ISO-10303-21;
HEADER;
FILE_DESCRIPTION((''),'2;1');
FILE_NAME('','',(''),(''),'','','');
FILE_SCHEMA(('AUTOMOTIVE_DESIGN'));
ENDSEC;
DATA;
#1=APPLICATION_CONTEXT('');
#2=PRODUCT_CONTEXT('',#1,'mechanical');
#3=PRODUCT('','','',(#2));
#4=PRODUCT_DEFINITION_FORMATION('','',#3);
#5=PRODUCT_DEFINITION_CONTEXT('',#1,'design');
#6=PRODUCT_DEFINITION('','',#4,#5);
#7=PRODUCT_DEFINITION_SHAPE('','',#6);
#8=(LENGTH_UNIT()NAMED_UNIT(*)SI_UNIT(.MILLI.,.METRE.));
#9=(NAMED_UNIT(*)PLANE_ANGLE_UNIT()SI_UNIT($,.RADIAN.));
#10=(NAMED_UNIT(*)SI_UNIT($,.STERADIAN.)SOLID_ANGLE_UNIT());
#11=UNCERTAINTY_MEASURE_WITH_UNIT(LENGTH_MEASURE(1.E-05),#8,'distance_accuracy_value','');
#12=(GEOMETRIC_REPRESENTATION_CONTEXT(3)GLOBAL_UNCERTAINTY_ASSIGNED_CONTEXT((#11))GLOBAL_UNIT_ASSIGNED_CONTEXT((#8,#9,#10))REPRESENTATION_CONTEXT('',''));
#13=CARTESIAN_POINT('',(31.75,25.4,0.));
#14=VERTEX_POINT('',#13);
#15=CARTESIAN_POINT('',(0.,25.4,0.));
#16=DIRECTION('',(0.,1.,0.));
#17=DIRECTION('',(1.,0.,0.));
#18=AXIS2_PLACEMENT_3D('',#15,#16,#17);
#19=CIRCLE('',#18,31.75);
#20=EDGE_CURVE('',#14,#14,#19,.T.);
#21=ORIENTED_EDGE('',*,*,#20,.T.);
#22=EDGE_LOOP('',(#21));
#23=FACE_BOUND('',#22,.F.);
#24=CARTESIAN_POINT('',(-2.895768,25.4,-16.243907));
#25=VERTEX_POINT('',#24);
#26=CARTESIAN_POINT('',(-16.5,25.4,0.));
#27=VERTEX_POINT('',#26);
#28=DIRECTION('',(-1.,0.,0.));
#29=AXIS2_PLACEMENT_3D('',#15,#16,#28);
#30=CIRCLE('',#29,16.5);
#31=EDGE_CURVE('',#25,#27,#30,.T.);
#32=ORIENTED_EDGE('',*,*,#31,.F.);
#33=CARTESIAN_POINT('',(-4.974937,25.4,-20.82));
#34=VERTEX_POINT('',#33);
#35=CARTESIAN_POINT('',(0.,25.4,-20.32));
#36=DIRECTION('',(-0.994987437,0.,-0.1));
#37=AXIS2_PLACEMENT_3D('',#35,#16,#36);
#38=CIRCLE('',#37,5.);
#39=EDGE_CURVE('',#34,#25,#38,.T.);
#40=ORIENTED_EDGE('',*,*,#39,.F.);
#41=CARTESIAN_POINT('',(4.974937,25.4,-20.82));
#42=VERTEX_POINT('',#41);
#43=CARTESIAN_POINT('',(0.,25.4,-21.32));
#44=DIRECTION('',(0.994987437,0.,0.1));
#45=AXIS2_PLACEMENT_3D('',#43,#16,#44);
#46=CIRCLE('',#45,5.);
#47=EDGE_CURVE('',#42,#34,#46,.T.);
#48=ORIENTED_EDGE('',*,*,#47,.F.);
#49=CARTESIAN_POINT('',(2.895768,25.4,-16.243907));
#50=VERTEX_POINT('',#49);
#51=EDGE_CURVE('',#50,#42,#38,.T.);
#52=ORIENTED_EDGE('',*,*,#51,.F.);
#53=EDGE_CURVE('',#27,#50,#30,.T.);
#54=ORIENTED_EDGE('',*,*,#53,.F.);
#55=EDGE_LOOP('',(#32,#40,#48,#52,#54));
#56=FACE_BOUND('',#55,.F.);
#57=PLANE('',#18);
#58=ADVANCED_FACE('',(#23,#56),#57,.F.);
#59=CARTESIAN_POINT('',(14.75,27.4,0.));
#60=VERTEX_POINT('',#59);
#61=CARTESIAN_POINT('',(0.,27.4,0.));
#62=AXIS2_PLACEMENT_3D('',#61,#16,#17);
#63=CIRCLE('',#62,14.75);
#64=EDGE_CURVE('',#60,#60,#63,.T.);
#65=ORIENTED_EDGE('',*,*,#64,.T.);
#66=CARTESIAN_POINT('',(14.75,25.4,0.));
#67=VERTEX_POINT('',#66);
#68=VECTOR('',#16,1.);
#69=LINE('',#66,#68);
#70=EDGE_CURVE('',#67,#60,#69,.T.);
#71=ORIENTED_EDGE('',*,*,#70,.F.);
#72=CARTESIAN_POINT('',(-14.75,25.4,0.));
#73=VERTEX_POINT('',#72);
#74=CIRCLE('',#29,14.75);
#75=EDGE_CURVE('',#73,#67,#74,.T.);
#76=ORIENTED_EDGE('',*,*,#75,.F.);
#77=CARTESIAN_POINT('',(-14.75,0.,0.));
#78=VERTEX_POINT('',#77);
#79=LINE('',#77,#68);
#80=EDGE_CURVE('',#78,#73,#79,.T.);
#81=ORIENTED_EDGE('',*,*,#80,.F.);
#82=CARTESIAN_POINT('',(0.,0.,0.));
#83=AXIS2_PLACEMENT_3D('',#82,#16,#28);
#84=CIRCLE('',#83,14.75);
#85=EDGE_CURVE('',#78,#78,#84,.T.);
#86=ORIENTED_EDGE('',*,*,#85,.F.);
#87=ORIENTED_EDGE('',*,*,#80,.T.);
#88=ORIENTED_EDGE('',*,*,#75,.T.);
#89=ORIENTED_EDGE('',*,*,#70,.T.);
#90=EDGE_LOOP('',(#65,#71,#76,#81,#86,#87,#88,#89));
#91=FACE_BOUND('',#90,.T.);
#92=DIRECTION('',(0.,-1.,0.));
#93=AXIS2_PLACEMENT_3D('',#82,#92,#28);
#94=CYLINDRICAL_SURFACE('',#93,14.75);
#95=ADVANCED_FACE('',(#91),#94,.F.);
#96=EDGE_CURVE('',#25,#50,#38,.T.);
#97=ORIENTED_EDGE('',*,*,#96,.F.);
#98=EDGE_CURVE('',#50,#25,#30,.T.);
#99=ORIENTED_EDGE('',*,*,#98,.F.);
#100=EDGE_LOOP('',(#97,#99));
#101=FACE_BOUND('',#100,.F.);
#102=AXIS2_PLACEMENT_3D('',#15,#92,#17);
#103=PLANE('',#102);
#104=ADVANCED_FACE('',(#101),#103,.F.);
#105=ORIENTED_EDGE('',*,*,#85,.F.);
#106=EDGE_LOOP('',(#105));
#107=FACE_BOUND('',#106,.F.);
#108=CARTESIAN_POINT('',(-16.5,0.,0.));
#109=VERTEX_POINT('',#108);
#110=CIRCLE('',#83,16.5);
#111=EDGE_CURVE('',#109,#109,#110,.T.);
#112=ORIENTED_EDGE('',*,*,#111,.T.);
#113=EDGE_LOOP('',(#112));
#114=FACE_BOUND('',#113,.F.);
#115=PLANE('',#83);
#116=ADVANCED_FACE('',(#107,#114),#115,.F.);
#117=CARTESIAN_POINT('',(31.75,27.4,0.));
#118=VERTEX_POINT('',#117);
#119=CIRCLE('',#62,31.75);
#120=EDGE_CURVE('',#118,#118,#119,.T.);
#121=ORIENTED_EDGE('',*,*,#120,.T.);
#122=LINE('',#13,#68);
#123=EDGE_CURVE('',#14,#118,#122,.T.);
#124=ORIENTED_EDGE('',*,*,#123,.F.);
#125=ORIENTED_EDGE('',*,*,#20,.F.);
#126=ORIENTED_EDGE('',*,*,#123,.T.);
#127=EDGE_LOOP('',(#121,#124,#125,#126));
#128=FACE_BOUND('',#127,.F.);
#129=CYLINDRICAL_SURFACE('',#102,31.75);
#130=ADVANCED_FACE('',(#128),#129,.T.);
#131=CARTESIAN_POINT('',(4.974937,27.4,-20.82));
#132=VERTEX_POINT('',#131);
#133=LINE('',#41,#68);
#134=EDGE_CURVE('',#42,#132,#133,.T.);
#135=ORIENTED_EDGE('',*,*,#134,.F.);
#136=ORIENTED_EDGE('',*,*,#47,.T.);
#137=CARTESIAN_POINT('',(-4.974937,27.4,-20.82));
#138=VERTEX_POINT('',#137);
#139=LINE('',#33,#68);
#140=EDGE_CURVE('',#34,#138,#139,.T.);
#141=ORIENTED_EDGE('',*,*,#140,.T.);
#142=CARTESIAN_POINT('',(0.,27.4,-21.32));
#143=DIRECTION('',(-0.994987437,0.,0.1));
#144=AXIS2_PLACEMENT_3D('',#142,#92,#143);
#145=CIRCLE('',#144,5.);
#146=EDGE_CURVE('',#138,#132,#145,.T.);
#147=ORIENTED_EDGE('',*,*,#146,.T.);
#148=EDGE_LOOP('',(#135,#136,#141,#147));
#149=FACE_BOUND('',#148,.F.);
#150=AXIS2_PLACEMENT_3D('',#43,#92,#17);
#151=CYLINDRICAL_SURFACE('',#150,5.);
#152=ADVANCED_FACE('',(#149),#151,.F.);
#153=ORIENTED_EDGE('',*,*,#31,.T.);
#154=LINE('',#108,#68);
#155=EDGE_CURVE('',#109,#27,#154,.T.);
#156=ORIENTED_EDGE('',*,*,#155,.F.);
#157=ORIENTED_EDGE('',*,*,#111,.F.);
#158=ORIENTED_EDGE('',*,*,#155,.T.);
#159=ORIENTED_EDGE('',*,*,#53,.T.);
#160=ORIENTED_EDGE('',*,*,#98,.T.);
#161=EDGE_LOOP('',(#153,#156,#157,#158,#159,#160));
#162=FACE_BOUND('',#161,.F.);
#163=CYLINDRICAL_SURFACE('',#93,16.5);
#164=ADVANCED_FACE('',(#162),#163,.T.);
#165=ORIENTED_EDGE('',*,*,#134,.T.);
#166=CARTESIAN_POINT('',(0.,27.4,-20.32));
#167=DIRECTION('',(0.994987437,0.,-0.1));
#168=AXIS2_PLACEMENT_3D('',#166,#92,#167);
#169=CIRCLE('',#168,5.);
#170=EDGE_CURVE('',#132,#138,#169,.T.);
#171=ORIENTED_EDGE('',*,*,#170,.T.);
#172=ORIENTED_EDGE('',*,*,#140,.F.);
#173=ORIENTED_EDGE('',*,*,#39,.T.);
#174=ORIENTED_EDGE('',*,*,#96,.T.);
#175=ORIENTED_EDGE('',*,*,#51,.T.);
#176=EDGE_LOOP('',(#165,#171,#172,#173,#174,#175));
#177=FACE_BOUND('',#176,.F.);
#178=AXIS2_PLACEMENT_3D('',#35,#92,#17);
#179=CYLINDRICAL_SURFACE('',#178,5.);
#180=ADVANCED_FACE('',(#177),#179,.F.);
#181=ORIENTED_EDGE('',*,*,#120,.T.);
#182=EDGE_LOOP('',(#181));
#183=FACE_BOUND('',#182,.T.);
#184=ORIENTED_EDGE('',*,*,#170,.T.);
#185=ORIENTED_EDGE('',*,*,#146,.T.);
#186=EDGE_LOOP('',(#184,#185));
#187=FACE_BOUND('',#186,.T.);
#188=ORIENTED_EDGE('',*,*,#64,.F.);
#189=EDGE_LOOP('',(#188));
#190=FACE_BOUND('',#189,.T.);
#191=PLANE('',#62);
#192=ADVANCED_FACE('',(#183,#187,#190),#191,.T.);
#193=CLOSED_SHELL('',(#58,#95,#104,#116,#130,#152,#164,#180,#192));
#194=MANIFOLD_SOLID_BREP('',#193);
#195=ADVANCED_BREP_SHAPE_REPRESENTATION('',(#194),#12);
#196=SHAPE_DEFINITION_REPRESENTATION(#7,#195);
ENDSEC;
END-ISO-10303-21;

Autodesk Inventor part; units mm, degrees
ref_plane "YZ Plane" through (0, 0, 0) normal (1, 0, 0) x (0, 1, 0)
ref_plane "XZ Plane" through (0, 0, 0) normal (0, 1, 0) x (-1, 0, 0)
ref_plane "XY Plane" through (0, 0, 0) normal (0, 0, 1) x (1, 0, 0)
sketch "Sketch1" plane through (0, 0, 0) normal (0, 1, 0) x (-1, 0, 0)
  circle A0 centre (0, 0) radius 16.5
  circle A1 centre (0, 0) radius 14.75
  dimension "d0" = 33
  dimension "d1" = 29.5
extrude "Extrusion1" add sketch "Sketch1" along normal blind 25.4
sketch "Sketch2" plane through (0, 25.4, 0) normal (0, 1, 0) x (1, 0, 0)
  circle A0 centre (0, 0) radius 14.75
  circle A1 centre (0, 0) radius 31.75
  circle A2 centre (0, 0) radius 14.75 projected
  dimension "d5" = 63.5
  dimension "d6" = 0
extrude "Extrusion2" add sketch "Sketch2" along normal blind 2
sketch "Sketch3" plane through (0, 25.4, 0) normal (0, -1, 0) x (1, 0, 0)
  circle A0 centre (0, -20.32) radius 5
  circle A1 centre (0, -21.32) radius 5
  line L0 (0, -20.32) -> (0, -21.32)
  line L1 (5, -20.32) -> (5, -21.32)
  line L2 (-5, -20.32) -> (-5, -21.32)
  point P0 (0, 0)
  point P1 (4.9749, -20.82)
  point P2 (-4.9749, -20.82)
  dimension "d9" = 10
  dimension "d10" = 1
  dimension "d11" = 20.32
extrude "Extrusion3" cut sketch "Sketch3" against normal blind 2 contours A0 A1 | A1 A0 | A0 A1
properties part number "O-Ring"
